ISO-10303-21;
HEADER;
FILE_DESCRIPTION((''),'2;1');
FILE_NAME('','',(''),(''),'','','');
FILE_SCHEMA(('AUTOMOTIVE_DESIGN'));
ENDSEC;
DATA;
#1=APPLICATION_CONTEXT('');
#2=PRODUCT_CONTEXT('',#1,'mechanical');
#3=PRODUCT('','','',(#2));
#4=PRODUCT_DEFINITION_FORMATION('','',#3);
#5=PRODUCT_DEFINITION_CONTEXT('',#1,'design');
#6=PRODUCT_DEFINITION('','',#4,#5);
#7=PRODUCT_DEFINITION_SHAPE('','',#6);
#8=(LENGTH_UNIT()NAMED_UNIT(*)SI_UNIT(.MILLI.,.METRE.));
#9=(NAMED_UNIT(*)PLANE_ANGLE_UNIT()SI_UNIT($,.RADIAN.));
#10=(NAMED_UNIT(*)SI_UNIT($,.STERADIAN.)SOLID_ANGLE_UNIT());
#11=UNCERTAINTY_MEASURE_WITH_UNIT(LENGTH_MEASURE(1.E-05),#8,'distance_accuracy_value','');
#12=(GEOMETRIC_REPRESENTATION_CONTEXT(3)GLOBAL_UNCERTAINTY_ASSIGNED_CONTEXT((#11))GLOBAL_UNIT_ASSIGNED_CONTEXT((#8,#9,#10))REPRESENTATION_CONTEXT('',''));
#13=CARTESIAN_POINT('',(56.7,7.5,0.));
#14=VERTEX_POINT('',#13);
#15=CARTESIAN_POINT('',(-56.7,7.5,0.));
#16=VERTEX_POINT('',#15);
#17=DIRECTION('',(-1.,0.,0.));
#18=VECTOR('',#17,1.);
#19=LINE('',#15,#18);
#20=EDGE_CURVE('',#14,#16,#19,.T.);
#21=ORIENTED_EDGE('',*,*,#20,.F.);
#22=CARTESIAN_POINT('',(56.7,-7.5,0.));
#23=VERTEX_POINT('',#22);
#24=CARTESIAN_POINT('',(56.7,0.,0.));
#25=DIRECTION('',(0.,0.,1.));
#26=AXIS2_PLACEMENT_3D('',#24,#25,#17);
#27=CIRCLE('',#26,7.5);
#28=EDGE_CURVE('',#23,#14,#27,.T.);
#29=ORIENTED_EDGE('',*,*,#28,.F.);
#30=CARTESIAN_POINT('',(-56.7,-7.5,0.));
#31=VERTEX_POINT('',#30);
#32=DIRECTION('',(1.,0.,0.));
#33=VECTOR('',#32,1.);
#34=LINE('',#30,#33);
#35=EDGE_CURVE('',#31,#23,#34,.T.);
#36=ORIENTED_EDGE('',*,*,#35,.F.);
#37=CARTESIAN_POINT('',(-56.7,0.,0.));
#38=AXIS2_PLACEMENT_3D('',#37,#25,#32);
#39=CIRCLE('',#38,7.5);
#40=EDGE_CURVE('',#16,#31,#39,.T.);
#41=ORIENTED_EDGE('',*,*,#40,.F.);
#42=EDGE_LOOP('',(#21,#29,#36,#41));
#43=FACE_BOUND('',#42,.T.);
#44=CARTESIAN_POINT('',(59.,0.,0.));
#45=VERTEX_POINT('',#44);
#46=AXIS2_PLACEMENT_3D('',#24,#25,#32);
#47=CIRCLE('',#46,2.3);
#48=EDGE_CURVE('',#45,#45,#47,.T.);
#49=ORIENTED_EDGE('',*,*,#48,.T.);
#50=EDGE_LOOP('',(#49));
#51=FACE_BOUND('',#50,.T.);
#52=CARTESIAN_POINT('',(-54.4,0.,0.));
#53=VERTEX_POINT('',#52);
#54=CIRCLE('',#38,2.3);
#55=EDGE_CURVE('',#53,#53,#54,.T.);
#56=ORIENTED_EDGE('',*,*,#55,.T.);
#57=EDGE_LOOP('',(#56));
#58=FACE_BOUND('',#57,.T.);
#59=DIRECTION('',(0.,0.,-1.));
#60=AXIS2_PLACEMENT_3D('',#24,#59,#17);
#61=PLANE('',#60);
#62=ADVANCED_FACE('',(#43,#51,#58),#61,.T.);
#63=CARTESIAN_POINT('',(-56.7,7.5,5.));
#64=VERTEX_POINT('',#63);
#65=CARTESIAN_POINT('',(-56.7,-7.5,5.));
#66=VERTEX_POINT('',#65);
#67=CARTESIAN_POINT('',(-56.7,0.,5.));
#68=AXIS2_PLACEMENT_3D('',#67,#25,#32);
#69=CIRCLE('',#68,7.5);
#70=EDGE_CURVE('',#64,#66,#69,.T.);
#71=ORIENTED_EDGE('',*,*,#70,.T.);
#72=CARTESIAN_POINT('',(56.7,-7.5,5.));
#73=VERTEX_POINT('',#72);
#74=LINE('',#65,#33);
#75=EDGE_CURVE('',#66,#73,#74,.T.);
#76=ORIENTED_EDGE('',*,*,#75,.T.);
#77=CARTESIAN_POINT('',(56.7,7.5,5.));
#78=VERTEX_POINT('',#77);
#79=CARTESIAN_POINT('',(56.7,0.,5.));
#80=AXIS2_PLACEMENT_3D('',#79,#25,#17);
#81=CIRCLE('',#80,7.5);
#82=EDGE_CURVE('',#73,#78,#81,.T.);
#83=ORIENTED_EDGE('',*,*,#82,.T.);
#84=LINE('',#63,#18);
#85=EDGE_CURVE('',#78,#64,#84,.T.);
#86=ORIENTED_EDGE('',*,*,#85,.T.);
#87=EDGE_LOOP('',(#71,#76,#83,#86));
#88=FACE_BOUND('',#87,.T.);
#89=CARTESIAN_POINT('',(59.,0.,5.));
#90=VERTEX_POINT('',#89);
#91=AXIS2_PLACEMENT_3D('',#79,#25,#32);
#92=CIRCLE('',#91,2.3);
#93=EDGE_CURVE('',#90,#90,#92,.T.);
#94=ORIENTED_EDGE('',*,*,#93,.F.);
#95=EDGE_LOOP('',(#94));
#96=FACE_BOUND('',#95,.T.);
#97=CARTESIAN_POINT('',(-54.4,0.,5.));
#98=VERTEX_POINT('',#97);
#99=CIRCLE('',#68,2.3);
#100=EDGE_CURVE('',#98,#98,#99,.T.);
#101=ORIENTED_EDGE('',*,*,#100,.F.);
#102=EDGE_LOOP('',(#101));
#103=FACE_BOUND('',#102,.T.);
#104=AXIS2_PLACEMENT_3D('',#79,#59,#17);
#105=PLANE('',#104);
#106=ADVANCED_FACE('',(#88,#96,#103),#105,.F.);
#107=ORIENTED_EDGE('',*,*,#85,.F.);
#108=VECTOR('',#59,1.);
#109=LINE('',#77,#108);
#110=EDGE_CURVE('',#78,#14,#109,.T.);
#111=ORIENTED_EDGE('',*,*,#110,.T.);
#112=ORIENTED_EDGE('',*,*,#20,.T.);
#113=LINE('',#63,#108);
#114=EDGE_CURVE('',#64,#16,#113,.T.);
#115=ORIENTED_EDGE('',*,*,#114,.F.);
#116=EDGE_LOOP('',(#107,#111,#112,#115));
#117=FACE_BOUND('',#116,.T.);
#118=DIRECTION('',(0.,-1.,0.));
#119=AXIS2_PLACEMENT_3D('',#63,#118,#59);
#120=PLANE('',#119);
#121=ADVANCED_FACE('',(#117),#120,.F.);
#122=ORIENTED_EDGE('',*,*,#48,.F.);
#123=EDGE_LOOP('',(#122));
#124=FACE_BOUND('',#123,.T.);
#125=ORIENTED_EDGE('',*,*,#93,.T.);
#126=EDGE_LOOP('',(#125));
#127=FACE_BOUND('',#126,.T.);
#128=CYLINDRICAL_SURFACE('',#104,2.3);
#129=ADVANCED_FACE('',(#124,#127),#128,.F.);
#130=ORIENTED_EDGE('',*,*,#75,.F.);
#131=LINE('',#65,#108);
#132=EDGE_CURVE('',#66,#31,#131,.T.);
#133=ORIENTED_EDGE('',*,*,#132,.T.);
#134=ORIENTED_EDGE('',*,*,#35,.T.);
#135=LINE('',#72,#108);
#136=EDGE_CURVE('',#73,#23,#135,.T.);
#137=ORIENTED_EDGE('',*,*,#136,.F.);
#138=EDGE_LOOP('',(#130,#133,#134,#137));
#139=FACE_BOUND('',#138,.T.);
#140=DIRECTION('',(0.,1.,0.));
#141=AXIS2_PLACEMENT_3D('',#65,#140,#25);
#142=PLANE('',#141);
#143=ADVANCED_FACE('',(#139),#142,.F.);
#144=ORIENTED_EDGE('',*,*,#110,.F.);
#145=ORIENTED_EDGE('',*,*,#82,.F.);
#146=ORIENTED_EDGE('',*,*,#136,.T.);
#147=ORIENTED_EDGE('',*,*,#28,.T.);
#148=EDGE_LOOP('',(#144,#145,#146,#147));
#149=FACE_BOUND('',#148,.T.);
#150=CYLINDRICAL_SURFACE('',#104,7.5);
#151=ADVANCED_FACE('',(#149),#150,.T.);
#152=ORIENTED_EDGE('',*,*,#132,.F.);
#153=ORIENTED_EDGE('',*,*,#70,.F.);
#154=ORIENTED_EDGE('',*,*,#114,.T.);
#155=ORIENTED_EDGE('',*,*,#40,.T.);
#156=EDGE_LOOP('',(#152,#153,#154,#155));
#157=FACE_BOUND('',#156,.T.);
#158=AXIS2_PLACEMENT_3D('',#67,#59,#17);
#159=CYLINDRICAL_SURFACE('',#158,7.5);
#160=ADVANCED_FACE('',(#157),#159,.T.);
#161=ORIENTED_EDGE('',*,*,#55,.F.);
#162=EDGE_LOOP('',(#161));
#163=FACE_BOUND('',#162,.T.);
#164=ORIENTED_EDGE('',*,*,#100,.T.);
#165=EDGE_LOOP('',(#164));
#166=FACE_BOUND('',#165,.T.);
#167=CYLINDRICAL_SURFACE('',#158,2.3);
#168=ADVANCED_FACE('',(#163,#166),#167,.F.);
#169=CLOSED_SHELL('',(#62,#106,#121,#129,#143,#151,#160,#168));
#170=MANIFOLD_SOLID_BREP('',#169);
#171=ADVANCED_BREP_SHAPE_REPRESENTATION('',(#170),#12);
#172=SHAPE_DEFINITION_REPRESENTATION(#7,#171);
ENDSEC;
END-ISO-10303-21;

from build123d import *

# Parameters (mm, degrees)
SKETCH_1_R      = 2.3
EXTRUDE_1_DEPTH = 5


with BuildPart() as part:
    # 草图1 → 凸台-拉伸1 (new body)
    with BuildSketch(Plane.XY):
        with BuildLine():
            Line((-56.7, 7.5), (56.7, 7.5))
            ThreePointArc((56.7, 7.5), (64.2, 0), (56.7, -7.5))
            Line((56.7, -7.5), (-56.7, -7.5))
            ThreePointArc((-56.7, -7.5), (-64.2, 0), (-56.7, 7.5))
        make_face()
        with Locations((-56.7, 0)):
            Circle(SKETCH_1_R, mode=Mode.SUBTRACT)
        with Locations((56.7, 0)):
            Circle(SKETCH_1_R, mode=Mode.SUBTRACT)
    extrude(amount=EXTRUDE_1_DEPTH)


solid = part.part
